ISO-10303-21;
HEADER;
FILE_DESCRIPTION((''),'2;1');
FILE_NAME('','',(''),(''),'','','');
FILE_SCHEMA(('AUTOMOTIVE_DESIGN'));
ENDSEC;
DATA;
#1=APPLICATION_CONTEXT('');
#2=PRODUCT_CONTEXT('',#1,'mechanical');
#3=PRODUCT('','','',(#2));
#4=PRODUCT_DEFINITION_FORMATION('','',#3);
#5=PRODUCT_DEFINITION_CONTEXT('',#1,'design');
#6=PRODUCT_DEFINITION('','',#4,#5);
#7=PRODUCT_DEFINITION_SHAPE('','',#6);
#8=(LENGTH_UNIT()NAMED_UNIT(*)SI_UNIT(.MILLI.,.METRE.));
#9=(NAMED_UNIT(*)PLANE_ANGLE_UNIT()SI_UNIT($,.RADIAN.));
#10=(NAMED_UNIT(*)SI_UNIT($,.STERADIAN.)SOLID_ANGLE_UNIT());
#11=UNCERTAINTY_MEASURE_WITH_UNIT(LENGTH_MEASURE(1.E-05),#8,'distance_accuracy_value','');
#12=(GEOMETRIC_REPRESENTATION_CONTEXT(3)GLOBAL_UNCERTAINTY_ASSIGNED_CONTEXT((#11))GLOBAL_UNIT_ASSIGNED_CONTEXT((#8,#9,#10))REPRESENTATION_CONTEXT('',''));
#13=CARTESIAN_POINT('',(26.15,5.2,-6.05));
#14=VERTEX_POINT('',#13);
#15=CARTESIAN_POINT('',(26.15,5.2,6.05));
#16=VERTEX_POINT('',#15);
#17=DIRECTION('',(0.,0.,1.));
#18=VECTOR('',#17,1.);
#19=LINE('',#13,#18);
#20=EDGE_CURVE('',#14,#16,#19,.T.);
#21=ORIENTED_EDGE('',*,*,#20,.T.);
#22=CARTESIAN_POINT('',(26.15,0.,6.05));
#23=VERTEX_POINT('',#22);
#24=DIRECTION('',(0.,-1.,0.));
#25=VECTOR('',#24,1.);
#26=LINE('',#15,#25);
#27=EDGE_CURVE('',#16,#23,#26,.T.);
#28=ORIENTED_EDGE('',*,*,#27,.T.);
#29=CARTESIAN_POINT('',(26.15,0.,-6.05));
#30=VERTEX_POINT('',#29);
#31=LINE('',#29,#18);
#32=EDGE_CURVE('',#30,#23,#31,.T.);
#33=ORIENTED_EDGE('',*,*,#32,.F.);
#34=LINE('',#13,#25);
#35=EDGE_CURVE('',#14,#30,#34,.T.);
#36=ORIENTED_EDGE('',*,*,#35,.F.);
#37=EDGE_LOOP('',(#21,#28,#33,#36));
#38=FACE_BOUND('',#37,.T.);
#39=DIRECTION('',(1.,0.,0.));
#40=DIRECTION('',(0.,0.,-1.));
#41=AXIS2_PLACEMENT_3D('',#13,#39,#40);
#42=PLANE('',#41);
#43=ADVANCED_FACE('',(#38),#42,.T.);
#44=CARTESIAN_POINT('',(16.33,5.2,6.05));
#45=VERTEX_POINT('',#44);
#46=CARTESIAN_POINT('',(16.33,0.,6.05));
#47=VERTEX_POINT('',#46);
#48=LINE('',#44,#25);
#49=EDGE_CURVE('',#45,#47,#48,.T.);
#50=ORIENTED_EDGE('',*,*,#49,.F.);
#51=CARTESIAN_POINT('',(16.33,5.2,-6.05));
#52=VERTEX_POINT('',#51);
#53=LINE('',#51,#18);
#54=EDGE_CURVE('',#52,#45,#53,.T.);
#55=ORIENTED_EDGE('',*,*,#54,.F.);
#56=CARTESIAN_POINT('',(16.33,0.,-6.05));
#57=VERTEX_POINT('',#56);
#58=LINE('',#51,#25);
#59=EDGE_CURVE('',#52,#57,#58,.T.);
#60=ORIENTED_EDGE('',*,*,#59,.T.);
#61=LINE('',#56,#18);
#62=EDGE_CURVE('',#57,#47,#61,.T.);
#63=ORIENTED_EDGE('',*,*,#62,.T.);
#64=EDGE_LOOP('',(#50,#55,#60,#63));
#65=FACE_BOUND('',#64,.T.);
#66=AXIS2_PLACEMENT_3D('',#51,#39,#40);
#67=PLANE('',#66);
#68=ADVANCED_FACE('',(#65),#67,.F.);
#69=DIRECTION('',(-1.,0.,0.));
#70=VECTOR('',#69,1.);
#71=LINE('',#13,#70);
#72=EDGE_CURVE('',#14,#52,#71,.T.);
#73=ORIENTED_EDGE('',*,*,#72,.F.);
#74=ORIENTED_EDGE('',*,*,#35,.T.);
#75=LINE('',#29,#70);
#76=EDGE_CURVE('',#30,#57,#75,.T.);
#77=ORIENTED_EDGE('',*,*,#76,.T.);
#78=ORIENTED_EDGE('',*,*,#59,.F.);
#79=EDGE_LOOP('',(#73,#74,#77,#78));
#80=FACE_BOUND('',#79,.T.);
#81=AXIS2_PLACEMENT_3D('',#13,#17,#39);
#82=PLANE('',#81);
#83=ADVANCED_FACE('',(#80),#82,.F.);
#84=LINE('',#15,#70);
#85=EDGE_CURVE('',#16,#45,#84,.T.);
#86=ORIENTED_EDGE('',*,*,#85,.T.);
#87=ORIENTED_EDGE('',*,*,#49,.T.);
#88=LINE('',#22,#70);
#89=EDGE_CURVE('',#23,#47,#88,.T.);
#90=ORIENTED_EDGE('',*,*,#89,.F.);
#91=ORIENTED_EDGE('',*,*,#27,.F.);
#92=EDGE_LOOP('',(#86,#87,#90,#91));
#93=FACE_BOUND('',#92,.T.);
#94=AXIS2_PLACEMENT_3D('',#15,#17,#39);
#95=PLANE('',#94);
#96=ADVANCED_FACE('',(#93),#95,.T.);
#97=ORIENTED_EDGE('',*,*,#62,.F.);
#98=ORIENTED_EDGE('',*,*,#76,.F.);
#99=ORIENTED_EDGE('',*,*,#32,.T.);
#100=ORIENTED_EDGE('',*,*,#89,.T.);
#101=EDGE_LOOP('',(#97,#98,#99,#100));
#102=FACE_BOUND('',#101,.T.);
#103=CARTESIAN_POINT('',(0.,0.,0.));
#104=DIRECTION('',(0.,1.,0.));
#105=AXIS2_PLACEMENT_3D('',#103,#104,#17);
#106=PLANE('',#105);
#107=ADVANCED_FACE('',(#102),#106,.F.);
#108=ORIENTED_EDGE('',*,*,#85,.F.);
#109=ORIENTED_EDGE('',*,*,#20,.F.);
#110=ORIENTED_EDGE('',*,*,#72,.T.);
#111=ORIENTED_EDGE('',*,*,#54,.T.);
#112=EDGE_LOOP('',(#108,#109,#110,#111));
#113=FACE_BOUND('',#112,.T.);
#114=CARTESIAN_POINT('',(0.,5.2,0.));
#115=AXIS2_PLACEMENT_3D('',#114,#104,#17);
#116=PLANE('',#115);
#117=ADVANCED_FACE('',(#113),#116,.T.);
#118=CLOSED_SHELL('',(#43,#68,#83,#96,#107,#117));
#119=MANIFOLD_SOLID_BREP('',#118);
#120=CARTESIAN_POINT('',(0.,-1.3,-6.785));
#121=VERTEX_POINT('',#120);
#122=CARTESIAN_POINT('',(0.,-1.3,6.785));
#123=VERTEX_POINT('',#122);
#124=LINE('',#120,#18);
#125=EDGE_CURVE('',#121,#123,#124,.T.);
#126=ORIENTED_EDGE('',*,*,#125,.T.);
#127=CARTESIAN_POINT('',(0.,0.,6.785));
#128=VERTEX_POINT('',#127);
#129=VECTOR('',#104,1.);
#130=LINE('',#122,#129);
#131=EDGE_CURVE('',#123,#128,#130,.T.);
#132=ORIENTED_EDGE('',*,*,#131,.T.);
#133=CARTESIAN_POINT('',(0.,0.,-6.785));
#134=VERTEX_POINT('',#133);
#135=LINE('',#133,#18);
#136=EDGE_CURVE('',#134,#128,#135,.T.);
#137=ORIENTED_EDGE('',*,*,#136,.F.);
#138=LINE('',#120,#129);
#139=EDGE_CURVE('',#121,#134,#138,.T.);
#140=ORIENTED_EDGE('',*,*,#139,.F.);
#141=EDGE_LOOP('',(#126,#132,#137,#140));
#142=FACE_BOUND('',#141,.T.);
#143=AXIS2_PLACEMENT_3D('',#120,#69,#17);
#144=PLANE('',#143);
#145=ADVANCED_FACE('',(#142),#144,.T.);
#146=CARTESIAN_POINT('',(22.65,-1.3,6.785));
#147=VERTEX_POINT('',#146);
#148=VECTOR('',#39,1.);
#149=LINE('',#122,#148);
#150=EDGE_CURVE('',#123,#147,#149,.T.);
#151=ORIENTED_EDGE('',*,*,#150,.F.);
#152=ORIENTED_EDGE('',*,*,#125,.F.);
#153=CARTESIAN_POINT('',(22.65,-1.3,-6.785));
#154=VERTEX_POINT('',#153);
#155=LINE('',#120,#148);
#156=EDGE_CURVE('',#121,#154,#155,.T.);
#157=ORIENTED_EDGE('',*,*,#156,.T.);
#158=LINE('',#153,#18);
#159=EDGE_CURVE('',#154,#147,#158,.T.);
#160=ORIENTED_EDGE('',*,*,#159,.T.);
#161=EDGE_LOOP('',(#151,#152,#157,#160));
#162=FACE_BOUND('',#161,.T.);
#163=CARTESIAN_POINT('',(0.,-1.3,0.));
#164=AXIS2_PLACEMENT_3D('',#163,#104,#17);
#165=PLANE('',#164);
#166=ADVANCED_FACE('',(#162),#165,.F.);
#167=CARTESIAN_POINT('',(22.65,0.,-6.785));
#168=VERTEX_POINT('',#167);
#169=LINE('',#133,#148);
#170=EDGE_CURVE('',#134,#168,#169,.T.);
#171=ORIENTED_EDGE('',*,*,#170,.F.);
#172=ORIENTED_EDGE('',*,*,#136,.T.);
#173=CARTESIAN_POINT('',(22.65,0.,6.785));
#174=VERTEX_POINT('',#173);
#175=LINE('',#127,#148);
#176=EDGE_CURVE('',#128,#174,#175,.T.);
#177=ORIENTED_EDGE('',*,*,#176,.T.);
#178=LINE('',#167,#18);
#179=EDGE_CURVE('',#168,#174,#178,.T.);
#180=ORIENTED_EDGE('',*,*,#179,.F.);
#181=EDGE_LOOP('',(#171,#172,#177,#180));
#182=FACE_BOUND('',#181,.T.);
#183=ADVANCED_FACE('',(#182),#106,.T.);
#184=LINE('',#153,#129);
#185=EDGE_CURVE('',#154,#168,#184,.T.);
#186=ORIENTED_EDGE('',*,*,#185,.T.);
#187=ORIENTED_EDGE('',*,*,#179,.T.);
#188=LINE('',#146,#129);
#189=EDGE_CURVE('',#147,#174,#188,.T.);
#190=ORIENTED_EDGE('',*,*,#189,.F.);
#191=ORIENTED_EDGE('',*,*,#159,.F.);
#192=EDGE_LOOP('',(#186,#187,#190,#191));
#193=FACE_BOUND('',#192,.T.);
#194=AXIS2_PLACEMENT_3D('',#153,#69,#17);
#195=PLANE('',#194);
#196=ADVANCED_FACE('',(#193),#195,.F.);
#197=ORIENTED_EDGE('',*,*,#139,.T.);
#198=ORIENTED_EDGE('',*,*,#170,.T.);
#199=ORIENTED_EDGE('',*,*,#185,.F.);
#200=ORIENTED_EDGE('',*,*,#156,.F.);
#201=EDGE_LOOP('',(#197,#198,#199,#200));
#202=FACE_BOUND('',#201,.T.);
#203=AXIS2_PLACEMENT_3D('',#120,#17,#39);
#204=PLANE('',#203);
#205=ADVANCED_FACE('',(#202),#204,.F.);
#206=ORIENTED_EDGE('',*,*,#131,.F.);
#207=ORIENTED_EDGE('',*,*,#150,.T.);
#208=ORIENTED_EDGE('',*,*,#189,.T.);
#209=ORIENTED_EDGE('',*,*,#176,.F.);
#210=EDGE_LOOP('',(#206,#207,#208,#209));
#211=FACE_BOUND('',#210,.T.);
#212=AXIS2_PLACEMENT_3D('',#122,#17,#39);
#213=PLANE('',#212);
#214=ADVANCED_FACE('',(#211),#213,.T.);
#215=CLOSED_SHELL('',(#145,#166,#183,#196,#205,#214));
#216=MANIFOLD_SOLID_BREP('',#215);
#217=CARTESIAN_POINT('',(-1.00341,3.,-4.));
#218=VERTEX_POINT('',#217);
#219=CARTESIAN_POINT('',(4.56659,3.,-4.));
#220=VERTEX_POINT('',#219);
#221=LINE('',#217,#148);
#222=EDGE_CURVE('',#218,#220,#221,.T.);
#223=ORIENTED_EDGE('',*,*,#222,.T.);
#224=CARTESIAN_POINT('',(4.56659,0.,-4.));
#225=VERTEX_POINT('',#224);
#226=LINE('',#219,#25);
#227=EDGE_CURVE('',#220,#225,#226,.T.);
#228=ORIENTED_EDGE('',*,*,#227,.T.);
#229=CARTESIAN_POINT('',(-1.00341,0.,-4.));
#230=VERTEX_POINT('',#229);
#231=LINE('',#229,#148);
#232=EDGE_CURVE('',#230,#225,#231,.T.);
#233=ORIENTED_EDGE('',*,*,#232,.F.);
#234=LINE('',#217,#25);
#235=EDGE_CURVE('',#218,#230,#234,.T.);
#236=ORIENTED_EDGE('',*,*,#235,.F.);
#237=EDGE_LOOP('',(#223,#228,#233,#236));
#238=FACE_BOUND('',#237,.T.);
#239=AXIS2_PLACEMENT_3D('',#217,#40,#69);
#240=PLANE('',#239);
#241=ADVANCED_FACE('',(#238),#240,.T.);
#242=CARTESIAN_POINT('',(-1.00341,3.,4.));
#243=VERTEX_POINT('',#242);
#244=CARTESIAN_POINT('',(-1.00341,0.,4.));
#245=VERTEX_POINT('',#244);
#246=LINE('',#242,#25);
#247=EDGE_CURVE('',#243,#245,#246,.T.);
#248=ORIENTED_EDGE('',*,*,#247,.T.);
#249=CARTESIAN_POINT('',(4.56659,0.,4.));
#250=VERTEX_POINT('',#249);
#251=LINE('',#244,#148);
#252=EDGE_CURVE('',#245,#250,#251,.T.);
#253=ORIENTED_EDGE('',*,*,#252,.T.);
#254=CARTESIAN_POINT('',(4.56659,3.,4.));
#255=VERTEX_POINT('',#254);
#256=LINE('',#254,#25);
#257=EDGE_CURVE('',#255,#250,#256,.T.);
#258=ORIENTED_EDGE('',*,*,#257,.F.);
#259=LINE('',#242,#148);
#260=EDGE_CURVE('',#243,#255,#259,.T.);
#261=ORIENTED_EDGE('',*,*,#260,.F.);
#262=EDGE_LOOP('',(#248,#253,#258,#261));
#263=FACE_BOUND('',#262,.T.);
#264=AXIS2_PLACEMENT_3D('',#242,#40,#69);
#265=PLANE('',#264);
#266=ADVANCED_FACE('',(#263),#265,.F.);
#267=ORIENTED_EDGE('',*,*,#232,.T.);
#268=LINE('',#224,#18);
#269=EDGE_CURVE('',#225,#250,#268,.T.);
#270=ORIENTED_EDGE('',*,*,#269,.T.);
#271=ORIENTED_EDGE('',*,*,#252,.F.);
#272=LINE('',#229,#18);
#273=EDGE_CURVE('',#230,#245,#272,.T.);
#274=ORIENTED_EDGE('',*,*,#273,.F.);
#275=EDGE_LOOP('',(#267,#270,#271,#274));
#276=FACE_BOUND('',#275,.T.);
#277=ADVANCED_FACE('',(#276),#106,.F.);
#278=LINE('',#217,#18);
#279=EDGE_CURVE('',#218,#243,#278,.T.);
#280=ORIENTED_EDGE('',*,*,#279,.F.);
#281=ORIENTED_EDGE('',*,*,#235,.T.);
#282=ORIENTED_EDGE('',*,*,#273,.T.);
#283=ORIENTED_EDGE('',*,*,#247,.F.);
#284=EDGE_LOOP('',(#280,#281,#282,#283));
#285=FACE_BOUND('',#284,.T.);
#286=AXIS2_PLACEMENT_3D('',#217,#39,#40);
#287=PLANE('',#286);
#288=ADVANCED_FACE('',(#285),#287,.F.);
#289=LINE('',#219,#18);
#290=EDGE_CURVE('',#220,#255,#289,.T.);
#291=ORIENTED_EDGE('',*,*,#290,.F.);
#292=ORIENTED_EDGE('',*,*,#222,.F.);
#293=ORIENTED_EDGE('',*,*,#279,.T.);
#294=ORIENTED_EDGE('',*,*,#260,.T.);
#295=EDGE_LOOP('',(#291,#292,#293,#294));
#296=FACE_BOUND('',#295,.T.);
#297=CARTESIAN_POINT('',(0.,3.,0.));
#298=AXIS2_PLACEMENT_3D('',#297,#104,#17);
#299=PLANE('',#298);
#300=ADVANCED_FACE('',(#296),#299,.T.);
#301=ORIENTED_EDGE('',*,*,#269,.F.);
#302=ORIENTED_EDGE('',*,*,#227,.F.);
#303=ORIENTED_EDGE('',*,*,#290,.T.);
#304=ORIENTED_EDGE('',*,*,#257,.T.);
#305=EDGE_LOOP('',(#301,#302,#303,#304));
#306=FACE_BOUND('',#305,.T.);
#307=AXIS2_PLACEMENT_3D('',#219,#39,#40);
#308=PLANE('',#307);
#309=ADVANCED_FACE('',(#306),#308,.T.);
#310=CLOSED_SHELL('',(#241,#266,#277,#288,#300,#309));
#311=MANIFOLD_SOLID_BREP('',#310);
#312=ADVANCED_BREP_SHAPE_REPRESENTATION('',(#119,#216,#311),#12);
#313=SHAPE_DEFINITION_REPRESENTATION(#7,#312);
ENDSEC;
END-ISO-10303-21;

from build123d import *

# Parameters (mm, degrees)
SKETCH1_W           = 22.65
SKETCH1_H           = 13.57
BOSS_EXTRUDE1_DEPTH = 1.3
SKETCH1_3_W         = 9.82
SKETCH1_3_H         = 12.1
BOSS_EXTRUDE2_DEPTH = 5.2
SKETCH1_4_W         = 5.57
SKETCH1_4_H         = 8
BOSS_EXTRUDE3_DEPTH = 3


with BuildPart() as part:
    # Sketch1 → Boss-Extrude1 (new body)
    with BuildSketch(Plane(origin=(0, 0, 0), x_dir=(1, 0, 0), z_dir=(0, 1, 0))):
        with Locations((11.325, 0)):
            Rectangle(SKETCH1_W, SKETCH1_H)
    extrude(amount=-BOSS_EXTRUDE1_DEPTH)


with BuildPart() as body_2:
    # Sketch1<3> → Boss-Extrude2 (new body)
    with BuildSketch(Plane(origin=(0, 0, 0), x_dir=(1, 0, 0), z_dir=(0, 1, 0))):
        with Locations((21.24, 0)):
            Rectangle(SKETCH1_3_W, SKETCH1_3_H)
    extrude(amount=BOSS_EXTRUDE2_DEPTH)


with BuildPart() as body_3:
    # Sketch1<4> → Boss-Extrude3 (new body)
    with BuildSketch(Plane(origin=(0, 0, 0), x_dir=(1, 0, 0), z_dir=(0, 1, 0))):
        with Locations((1.78159017, 0)):
            Rectangle(SKETCH1_4_W, SKETCH1_4_H)
    extrude(amount=BOSS_EXTRUDE3_DEPTH)


solid = Compound([part.part, body_2.part, body_3.part])
